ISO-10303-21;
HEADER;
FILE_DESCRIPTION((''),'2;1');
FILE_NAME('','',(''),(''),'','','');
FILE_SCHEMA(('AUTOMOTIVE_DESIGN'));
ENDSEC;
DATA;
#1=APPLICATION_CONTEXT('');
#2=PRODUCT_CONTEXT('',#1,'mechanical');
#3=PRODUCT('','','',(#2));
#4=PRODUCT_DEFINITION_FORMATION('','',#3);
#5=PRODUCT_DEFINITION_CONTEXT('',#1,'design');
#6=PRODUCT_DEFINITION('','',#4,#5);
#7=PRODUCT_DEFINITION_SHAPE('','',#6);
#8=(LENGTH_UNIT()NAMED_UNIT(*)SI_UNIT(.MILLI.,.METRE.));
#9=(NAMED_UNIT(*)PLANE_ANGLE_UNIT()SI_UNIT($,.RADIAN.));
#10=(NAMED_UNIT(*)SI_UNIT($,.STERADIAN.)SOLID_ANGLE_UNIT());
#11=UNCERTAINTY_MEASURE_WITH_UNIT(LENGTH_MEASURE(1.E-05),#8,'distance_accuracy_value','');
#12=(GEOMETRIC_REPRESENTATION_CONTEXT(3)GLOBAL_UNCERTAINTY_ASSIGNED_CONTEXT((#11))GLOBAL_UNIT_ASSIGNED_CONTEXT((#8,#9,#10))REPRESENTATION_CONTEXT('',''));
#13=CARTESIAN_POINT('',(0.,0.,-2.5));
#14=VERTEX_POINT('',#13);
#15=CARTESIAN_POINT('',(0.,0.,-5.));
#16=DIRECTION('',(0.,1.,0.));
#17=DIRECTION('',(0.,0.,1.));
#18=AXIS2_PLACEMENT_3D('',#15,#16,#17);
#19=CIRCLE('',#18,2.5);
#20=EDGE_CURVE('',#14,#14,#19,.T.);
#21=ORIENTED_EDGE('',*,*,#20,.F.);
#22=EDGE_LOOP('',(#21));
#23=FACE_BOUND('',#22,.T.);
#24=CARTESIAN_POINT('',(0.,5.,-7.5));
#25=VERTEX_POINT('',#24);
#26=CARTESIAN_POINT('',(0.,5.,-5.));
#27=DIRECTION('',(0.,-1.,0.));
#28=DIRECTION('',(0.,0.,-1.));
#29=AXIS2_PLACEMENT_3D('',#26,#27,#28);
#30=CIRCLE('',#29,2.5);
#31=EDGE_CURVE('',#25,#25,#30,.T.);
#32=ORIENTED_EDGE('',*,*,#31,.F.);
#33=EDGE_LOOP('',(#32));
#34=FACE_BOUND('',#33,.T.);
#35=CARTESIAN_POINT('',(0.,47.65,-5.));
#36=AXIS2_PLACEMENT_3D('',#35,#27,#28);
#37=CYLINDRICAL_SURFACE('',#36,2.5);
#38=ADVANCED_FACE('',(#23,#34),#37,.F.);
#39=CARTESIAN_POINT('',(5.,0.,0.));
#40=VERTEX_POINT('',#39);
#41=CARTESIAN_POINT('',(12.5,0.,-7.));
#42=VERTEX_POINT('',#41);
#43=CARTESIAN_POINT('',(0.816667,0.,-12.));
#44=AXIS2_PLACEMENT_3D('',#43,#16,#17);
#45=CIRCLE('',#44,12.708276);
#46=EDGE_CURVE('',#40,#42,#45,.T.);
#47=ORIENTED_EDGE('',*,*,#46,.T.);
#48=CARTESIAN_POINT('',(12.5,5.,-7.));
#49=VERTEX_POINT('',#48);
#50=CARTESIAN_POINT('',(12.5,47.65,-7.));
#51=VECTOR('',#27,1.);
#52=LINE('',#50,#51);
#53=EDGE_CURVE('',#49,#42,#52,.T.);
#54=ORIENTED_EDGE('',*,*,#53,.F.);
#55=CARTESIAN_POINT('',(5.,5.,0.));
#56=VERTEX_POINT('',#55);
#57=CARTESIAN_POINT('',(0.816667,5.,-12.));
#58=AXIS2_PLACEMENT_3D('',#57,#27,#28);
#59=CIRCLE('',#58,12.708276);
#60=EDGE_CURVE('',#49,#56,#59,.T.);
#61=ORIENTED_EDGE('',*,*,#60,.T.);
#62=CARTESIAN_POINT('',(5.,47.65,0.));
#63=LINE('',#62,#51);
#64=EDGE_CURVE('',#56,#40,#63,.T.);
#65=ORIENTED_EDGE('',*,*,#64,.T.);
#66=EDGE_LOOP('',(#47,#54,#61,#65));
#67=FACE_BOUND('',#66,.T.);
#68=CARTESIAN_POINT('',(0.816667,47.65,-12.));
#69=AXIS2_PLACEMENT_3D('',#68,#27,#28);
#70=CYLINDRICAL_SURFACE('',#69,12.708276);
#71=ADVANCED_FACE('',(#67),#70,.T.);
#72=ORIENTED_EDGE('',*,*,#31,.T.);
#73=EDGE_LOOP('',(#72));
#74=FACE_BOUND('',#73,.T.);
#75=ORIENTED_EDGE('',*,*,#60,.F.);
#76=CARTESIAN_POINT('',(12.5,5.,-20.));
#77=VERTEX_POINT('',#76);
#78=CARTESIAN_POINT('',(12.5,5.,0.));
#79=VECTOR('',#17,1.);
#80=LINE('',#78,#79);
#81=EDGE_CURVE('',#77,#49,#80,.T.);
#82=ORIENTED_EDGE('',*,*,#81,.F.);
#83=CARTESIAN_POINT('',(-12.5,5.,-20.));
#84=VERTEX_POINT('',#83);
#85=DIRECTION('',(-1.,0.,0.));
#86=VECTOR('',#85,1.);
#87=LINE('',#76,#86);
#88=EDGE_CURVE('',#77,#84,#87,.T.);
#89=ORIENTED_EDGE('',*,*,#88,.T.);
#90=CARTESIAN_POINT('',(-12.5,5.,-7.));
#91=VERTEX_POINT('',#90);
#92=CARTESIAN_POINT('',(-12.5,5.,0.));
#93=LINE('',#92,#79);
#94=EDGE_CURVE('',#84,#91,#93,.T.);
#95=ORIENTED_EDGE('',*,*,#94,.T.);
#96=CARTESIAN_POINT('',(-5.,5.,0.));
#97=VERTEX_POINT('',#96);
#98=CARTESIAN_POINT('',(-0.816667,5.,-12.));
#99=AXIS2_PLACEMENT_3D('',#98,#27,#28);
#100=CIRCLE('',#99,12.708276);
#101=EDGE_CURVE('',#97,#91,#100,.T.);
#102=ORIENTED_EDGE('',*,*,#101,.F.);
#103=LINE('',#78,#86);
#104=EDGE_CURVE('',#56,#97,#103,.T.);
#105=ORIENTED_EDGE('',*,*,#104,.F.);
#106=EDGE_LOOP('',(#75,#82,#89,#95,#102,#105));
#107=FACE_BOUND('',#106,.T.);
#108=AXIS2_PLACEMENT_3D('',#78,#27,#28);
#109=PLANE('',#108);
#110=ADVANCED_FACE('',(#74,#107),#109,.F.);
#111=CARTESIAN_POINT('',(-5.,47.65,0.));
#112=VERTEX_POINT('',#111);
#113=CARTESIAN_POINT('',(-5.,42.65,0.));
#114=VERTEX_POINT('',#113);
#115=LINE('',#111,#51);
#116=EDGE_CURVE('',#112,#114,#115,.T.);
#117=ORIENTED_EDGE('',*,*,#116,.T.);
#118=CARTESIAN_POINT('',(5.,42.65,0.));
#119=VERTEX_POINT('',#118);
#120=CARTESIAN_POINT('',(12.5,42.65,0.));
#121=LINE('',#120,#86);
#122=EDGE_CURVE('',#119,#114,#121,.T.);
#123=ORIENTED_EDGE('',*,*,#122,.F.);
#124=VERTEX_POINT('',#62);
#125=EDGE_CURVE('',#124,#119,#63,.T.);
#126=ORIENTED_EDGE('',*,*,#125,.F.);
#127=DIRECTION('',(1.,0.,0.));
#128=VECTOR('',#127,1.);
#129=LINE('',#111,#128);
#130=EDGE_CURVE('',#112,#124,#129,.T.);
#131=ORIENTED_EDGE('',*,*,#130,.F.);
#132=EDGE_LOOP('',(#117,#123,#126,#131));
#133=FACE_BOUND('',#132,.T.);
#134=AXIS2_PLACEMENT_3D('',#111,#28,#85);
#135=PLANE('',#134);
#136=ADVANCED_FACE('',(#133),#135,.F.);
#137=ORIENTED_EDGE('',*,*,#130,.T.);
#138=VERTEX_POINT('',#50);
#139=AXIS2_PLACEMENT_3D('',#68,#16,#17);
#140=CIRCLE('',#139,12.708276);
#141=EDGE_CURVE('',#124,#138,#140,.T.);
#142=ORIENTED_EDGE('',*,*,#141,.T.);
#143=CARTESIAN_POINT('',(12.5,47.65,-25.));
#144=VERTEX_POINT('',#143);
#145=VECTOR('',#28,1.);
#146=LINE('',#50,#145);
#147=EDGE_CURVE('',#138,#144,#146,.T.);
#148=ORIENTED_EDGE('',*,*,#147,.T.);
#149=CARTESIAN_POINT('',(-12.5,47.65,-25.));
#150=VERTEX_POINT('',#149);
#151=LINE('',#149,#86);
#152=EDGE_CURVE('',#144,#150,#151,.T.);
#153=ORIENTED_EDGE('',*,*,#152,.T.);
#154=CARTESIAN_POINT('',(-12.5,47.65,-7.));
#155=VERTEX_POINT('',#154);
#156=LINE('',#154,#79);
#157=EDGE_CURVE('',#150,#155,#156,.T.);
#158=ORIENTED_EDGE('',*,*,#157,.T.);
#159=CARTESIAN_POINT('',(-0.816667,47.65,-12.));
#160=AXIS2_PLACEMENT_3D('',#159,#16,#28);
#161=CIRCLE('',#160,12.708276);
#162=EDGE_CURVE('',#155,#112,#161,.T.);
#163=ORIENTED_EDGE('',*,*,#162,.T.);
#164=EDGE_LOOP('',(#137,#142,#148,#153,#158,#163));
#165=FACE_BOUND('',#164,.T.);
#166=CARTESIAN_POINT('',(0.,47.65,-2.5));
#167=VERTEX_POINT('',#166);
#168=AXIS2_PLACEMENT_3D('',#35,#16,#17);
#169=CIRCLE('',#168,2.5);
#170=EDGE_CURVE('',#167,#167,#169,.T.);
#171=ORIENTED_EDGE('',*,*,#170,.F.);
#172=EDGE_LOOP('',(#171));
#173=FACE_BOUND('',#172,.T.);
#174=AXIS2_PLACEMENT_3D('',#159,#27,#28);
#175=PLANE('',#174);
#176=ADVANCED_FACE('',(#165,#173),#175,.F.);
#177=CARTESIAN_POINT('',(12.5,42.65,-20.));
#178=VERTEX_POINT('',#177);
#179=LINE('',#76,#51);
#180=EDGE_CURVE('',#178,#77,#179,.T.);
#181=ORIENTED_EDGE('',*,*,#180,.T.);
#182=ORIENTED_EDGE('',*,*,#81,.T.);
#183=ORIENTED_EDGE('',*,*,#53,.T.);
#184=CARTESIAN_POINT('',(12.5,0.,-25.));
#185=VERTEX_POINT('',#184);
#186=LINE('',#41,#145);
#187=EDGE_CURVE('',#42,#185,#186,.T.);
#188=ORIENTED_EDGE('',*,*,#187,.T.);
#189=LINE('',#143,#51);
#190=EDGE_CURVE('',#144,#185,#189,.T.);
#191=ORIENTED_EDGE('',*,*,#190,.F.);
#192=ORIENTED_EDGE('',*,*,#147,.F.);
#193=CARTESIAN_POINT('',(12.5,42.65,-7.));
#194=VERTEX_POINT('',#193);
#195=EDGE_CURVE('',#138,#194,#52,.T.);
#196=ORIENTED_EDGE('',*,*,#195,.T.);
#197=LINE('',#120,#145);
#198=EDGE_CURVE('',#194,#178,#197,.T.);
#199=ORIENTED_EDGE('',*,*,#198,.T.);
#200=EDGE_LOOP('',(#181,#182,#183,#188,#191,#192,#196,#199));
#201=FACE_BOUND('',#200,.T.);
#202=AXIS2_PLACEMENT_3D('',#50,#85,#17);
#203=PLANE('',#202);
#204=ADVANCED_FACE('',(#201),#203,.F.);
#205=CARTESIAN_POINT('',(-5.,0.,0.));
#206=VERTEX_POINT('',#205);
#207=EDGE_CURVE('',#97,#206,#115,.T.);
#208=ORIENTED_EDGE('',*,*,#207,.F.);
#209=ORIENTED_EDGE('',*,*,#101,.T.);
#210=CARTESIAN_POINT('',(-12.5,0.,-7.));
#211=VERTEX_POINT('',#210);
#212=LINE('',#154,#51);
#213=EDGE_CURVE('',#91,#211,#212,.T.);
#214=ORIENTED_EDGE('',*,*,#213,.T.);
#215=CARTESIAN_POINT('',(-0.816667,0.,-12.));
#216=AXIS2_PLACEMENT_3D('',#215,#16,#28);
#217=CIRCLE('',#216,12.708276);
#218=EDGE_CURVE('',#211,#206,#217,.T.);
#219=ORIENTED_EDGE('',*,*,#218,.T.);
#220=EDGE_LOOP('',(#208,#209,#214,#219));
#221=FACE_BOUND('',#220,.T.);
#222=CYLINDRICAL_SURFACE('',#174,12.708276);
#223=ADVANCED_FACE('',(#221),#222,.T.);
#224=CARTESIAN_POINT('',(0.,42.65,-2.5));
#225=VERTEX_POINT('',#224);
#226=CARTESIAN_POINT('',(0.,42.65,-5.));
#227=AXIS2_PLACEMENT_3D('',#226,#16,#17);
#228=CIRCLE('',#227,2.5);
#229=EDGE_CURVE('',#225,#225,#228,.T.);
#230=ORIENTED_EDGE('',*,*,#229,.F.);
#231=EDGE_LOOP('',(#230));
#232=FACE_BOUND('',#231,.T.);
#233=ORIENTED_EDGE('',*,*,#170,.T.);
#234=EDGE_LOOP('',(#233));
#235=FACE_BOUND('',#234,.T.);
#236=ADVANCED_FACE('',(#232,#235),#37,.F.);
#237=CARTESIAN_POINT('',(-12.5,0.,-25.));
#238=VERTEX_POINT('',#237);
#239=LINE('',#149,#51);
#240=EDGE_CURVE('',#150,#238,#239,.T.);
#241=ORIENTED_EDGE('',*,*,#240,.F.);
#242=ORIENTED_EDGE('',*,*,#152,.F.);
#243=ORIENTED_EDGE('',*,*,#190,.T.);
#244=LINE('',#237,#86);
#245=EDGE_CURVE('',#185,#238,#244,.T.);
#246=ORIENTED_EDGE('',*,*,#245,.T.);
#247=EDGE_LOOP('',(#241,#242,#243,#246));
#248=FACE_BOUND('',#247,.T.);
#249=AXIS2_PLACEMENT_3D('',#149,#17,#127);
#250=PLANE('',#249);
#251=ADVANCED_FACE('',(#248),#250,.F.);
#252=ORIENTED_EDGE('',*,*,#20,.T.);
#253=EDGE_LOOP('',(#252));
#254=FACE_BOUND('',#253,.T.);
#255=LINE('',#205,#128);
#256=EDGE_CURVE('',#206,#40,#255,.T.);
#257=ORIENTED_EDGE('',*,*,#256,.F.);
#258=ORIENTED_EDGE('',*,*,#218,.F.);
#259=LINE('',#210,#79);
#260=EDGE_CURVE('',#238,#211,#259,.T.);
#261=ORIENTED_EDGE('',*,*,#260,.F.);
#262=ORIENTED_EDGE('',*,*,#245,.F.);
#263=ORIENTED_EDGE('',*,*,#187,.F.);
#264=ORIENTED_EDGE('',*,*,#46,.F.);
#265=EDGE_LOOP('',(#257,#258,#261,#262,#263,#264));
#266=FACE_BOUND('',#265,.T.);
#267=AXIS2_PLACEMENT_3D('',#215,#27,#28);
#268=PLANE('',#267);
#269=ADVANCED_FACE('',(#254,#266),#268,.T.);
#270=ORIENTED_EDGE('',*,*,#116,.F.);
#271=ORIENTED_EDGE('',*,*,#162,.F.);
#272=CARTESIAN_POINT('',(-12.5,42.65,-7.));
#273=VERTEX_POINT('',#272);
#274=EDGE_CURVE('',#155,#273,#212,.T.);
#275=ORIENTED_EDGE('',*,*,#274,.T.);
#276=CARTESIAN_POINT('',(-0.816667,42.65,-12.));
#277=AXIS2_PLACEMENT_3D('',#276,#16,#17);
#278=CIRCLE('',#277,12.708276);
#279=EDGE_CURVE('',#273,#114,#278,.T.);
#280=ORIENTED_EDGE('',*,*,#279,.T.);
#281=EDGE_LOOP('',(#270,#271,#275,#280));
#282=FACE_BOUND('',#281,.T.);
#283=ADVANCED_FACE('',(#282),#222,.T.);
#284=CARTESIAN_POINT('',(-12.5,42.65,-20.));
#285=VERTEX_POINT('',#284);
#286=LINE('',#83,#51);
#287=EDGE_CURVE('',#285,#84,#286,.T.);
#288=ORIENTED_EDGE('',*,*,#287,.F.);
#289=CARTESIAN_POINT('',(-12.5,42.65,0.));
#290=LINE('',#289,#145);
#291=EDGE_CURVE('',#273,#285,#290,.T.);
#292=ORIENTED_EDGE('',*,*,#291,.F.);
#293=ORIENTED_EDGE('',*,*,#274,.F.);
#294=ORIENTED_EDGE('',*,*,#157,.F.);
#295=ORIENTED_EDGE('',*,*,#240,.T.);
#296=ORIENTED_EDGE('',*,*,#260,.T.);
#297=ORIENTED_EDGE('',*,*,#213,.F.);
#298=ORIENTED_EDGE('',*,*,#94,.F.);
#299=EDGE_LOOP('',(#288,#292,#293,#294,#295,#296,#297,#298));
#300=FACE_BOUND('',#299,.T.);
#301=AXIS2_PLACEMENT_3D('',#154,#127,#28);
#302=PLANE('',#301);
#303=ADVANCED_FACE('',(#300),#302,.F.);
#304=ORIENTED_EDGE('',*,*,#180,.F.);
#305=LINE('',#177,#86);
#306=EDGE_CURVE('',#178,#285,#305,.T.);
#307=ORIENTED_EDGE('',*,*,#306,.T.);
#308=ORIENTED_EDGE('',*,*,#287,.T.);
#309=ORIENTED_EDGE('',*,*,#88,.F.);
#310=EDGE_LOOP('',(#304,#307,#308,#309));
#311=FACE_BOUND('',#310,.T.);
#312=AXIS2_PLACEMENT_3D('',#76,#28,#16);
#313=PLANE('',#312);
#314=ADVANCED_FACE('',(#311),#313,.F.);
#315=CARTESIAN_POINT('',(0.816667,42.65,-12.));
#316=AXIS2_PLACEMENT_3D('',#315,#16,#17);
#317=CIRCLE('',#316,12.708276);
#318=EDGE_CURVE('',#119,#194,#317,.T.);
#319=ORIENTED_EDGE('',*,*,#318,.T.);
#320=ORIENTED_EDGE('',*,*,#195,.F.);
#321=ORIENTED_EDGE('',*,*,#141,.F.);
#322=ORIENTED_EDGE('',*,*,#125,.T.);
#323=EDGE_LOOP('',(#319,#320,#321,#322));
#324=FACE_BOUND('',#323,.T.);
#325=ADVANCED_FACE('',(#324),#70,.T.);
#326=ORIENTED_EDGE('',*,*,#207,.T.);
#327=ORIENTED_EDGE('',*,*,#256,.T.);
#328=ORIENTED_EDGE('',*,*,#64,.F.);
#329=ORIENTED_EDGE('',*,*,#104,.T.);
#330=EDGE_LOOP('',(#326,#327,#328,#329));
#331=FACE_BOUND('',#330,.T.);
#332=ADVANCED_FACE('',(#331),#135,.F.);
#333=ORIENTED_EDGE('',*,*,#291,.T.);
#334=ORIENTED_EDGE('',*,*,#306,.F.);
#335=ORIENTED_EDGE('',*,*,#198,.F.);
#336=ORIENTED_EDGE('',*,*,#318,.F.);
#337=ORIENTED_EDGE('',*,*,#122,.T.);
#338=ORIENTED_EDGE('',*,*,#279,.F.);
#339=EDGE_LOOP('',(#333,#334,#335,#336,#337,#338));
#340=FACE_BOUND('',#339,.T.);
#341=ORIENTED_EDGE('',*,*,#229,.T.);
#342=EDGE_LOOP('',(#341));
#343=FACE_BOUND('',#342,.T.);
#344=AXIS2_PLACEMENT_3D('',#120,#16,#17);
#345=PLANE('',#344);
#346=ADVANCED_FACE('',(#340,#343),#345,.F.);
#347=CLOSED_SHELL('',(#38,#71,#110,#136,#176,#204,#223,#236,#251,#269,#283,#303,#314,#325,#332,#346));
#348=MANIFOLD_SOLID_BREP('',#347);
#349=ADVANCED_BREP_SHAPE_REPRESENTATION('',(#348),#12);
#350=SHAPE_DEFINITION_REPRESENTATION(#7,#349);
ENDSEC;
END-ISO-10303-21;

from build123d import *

# Parameters (mm, degrees)
SKETCH1_R           = 2.5
BOSS_EXTRUDE1_DEPTH = 47.65
SKETCH2_W           = 20
SKETCH2_H           = 37.65
CUT_EXTRUDE1_DEPTH  = 60.333991101


with BuildPart() as part:
    # Sketch1 → Boss-Extrude1 (new body)
    with BuildSketch(Plane(origin=(0, 0, 0), x_dir=(1, 0, 0), z_dir=(0, 1, 0))):
        with BuildLine():
            Line((-5, 0), (5, 0))
            ThreePointArc((5, 0), (9.487755282, 2.709547912), (12.5, 7))
            Line((12.5, 7), (12.5, 25))
            Line((12.5, 25), (-12.5, 25))
            Line((-12.5, 25), (-12.5, 7))
            ThreePointArc((-12.5, 7), (-9.487755282, 2.709547912), (-5, 0))
        make_face()
        with Locations(Location((0, 5, 0), (0, 0, 270))):
            Circle(SKETCH1_R, mode=Mode.SUBTRACT)
    extrude(amount=BOSS_EXTRUDE1_DEPTH)

    # Sketch2 → Cut-Extrude1 (cut, through all)
    with BuildSketch(Plane.ZY.offset(12.5)):
        with Locations((-10, 23.825)):
            Rectangle(SKETCH2_W, SKETCH2_H)
    extrude(amount=-CUT_EXTRUDE1_DEPTH, mode=Mode.SUBTRACT)


solid = part.part
